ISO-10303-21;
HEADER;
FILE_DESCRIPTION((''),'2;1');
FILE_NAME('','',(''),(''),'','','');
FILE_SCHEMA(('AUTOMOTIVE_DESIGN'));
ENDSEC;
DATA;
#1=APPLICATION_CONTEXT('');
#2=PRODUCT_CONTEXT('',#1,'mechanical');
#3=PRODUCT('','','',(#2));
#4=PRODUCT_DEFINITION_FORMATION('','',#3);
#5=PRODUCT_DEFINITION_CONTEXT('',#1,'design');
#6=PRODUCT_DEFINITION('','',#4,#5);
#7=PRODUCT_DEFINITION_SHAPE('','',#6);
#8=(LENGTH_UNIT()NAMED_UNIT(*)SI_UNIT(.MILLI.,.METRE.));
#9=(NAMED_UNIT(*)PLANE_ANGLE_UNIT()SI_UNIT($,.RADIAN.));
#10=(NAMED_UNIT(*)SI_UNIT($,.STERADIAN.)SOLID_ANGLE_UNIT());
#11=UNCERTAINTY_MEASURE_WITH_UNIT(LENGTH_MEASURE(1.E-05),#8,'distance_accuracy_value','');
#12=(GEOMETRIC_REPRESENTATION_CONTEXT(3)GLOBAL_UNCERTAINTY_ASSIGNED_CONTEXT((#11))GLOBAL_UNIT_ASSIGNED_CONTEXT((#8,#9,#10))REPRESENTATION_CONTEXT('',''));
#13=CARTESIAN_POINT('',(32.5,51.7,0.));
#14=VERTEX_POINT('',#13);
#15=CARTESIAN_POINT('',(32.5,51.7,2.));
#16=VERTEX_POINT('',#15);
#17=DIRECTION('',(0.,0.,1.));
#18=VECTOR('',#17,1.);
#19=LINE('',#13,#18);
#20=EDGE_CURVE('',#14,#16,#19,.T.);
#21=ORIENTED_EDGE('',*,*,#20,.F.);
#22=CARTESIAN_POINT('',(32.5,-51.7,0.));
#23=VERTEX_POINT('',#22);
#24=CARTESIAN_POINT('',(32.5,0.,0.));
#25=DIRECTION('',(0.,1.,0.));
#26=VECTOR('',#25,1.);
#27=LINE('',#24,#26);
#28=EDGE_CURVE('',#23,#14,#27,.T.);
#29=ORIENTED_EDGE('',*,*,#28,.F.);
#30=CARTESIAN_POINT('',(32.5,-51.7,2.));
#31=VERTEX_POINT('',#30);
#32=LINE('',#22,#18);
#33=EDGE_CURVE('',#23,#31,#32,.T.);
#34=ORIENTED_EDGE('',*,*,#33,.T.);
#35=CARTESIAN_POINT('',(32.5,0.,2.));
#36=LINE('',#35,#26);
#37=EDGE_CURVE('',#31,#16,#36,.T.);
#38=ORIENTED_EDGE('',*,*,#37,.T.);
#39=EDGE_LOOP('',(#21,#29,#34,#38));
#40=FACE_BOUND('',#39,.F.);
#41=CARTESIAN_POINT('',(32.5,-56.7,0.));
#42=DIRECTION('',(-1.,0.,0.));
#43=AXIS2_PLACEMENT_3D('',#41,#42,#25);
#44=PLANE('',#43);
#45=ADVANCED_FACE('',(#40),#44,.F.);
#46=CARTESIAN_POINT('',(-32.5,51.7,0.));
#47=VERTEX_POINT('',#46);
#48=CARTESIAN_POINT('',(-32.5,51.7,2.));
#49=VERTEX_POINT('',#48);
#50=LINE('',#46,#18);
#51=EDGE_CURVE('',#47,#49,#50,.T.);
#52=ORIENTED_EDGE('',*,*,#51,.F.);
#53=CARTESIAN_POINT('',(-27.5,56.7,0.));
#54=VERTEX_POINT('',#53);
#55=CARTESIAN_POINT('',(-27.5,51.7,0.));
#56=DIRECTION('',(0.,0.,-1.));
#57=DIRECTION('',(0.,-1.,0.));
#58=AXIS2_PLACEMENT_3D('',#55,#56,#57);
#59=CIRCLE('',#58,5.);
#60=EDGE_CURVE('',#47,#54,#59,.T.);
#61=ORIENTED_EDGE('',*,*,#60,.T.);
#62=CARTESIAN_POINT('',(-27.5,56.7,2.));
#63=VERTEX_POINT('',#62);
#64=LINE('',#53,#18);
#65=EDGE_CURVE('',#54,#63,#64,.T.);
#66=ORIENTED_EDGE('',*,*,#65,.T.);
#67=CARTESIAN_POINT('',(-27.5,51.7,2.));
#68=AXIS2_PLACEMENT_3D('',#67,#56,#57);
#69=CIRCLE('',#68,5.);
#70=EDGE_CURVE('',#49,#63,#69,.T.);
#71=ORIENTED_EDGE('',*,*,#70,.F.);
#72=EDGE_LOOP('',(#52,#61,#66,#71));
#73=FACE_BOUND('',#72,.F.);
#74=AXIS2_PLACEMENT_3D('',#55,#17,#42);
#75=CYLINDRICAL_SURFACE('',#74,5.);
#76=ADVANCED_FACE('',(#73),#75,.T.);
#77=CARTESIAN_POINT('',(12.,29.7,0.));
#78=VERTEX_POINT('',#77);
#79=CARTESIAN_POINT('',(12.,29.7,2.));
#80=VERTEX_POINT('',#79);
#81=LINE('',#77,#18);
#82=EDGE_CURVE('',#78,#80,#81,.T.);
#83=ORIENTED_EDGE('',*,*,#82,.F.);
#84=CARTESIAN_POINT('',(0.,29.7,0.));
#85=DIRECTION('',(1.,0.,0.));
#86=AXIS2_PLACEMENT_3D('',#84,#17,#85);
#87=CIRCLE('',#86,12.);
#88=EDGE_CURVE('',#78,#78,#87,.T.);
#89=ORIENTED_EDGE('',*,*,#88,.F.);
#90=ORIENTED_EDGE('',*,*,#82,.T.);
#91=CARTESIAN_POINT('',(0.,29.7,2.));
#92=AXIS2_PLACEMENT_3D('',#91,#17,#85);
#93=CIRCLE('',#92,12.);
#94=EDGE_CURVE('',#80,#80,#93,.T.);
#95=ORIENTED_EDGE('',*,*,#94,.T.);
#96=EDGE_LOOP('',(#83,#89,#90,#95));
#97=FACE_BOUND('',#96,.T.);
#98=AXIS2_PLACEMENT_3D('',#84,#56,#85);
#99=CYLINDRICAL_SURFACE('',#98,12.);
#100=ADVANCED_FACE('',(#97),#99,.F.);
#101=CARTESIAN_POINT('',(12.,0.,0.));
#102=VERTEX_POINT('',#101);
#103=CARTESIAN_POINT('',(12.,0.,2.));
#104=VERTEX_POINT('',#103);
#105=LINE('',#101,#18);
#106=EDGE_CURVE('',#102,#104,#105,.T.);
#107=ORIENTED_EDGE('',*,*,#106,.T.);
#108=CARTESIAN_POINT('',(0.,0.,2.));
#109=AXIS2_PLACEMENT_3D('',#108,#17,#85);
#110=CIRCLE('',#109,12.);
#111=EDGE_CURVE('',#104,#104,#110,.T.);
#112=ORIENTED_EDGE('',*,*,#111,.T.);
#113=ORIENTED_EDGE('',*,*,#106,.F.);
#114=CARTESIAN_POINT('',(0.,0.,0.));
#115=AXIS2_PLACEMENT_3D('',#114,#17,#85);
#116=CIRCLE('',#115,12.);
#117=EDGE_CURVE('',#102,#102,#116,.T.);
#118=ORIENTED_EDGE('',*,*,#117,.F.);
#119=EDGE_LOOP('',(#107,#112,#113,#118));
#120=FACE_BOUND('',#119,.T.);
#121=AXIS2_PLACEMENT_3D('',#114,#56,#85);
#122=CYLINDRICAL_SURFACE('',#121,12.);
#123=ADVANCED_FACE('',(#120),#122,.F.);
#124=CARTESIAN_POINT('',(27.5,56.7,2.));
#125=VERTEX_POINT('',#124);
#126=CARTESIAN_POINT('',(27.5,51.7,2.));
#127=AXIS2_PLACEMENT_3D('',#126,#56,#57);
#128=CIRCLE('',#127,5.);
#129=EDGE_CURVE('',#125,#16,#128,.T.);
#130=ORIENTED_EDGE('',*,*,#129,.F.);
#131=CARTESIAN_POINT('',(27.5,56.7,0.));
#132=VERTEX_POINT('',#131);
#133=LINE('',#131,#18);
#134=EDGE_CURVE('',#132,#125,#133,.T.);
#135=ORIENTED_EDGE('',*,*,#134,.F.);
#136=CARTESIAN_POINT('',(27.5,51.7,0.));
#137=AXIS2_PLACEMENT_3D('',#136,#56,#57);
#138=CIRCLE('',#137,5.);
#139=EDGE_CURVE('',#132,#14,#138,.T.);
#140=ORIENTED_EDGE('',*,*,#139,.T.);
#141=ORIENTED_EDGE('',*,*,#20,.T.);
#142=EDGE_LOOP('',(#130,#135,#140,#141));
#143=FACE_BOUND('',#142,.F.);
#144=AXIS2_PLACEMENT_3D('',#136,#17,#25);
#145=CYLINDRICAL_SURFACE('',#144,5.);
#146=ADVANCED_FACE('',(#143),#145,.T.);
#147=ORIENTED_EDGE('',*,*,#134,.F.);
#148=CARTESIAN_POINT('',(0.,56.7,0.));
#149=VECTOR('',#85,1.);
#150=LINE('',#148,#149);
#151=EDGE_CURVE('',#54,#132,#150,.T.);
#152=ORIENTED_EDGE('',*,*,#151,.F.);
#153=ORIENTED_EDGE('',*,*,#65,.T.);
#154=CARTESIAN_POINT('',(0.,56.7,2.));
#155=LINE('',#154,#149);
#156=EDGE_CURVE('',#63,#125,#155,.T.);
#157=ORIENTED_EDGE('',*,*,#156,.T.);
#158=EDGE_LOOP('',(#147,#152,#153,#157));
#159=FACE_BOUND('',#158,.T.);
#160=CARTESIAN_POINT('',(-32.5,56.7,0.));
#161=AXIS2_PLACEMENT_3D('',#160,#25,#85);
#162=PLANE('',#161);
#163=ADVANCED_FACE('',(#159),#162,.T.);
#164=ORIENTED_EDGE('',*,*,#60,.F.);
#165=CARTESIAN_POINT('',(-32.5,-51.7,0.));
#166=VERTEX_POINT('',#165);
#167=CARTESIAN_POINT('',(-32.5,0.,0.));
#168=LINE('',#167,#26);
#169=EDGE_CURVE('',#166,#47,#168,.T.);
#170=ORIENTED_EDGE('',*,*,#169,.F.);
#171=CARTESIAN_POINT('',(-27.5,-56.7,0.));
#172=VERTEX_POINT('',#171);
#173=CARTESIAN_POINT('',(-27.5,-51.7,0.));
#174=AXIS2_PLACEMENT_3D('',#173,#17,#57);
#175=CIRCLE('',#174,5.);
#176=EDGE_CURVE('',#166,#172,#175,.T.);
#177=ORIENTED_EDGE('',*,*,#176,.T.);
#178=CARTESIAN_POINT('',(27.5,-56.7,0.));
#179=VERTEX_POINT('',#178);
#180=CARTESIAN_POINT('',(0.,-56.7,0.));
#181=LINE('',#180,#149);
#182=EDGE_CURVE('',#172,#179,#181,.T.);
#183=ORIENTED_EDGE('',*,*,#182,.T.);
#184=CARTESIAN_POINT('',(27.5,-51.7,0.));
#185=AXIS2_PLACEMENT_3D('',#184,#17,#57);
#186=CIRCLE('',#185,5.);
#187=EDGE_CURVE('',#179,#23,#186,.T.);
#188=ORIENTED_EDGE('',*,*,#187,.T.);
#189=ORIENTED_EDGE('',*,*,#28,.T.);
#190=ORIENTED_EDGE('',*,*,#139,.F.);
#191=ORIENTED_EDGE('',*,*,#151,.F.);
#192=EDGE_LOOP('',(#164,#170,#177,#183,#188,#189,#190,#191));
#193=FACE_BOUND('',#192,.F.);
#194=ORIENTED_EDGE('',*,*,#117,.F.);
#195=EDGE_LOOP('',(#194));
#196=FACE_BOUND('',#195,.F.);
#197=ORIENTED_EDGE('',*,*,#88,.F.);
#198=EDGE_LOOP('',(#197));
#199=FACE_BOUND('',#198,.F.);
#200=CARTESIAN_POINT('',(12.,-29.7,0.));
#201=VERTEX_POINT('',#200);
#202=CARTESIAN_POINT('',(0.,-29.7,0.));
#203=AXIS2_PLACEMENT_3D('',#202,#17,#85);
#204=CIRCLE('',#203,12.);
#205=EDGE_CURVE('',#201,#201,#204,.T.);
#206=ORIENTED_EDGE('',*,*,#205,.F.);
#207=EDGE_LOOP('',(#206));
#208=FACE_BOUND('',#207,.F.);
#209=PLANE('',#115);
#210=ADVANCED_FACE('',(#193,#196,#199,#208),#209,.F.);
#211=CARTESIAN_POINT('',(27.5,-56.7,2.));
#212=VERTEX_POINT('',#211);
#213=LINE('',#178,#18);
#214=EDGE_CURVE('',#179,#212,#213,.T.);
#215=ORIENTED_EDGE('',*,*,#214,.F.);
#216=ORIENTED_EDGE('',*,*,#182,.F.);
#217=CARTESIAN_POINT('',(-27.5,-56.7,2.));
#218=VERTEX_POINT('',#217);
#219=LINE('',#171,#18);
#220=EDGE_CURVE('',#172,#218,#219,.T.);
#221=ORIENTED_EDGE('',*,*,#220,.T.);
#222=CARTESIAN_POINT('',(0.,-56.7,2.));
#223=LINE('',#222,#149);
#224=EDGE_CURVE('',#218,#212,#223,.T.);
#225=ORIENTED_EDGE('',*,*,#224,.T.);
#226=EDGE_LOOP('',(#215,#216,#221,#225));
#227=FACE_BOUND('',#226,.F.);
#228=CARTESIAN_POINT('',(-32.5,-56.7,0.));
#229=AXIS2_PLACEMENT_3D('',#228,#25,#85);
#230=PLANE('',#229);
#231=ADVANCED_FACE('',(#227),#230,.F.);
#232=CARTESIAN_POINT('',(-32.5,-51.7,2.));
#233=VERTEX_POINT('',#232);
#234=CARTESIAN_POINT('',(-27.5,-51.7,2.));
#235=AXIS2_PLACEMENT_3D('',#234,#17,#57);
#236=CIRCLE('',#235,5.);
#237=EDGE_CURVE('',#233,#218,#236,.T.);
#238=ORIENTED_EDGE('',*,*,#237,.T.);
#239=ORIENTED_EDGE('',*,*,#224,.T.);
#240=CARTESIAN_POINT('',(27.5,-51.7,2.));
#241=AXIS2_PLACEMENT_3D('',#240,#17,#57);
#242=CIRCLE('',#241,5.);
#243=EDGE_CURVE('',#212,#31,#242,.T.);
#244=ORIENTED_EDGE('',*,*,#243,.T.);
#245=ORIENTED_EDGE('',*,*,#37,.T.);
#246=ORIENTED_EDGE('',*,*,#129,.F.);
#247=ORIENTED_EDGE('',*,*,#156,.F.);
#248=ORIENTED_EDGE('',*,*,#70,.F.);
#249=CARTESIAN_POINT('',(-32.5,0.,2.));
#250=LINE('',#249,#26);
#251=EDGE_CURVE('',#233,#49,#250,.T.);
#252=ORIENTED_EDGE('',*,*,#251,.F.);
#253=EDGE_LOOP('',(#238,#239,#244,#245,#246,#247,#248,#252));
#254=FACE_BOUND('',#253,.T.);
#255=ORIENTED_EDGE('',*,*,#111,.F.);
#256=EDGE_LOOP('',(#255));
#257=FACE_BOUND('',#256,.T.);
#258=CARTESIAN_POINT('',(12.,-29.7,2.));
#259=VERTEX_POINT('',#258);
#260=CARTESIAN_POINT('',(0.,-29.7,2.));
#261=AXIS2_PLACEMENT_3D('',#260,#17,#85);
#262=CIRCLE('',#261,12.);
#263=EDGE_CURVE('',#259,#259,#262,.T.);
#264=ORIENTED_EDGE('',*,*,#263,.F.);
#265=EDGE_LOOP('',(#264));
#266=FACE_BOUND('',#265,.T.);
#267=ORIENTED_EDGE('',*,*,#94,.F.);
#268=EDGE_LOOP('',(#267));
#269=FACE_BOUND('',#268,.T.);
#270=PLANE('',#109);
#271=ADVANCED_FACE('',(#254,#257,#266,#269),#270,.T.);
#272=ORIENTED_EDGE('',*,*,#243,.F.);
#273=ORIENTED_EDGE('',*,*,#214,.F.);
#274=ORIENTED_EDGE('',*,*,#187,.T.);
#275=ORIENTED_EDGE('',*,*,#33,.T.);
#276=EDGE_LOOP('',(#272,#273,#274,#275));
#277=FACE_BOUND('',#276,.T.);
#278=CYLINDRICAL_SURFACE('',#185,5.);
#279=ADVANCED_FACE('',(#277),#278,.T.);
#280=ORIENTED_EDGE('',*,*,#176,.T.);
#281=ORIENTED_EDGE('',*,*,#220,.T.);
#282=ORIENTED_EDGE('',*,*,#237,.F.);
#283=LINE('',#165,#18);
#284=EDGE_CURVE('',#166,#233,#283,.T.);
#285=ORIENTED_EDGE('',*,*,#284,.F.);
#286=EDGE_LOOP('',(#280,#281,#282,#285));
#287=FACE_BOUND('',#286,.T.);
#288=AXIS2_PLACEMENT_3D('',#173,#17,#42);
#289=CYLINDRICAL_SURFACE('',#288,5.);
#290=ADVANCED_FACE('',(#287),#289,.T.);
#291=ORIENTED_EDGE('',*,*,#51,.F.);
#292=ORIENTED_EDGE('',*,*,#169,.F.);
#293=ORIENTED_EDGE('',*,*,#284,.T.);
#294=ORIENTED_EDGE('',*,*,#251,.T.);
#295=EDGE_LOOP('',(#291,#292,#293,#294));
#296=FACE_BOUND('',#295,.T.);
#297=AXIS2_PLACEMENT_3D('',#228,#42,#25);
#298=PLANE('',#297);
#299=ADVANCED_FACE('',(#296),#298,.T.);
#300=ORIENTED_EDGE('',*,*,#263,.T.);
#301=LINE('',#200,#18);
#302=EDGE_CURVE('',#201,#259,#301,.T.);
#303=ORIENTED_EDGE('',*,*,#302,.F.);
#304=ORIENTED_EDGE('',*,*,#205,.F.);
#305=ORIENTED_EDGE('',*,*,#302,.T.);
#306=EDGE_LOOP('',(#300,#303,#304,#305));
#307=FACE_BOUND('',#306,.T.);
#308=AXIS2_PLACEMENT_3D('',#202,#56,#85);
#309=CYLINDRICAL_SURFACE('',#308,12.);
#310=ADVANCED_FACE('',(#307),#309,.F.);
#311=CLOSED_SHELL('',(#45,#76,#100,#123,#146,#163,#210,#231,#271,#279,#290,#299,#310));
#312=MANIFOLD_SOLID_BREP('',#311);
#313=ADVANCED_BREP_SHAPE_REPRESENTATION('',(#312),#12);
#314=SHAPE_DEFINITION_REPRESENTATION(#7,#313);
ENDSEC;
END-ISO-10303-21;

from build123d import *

# Parameters (mm, degrees)
F0_W     = 65
F0_H     = 113.4
F0_R     = 12
F1_DEPTH = 2
F2_R     = 5


with BuildPart() as f1:
    # F0 (on Top) → F1 (new body)
    with BuildSketch(Plane.XY):
        Rectangle(F0_W, F0_H)
        with Locations((0, -29.7)):
            Circle(F0_R, mode=Mode.SUBTRACT)
        Circle(F0_R, mode=Mode.SUBTRACT)
        with Locations((0, 29.7)):
            Circle(F0_R, mode=Mode.SUBTRACT)
    extrude(amount=F1_DEPTH)

    # F2
    f2_edges = [f1.edges().sort_by_distance(p)[0] for p in [
        (-32.5, 56.7, 1),
        (32.5, 56.7, 1),
        (32.5, -56.7, 1),
        (-32.5, -56.7, 1),
    ]]
    fillet(f2_edges, radius=F2_R)


solid = f1.part
